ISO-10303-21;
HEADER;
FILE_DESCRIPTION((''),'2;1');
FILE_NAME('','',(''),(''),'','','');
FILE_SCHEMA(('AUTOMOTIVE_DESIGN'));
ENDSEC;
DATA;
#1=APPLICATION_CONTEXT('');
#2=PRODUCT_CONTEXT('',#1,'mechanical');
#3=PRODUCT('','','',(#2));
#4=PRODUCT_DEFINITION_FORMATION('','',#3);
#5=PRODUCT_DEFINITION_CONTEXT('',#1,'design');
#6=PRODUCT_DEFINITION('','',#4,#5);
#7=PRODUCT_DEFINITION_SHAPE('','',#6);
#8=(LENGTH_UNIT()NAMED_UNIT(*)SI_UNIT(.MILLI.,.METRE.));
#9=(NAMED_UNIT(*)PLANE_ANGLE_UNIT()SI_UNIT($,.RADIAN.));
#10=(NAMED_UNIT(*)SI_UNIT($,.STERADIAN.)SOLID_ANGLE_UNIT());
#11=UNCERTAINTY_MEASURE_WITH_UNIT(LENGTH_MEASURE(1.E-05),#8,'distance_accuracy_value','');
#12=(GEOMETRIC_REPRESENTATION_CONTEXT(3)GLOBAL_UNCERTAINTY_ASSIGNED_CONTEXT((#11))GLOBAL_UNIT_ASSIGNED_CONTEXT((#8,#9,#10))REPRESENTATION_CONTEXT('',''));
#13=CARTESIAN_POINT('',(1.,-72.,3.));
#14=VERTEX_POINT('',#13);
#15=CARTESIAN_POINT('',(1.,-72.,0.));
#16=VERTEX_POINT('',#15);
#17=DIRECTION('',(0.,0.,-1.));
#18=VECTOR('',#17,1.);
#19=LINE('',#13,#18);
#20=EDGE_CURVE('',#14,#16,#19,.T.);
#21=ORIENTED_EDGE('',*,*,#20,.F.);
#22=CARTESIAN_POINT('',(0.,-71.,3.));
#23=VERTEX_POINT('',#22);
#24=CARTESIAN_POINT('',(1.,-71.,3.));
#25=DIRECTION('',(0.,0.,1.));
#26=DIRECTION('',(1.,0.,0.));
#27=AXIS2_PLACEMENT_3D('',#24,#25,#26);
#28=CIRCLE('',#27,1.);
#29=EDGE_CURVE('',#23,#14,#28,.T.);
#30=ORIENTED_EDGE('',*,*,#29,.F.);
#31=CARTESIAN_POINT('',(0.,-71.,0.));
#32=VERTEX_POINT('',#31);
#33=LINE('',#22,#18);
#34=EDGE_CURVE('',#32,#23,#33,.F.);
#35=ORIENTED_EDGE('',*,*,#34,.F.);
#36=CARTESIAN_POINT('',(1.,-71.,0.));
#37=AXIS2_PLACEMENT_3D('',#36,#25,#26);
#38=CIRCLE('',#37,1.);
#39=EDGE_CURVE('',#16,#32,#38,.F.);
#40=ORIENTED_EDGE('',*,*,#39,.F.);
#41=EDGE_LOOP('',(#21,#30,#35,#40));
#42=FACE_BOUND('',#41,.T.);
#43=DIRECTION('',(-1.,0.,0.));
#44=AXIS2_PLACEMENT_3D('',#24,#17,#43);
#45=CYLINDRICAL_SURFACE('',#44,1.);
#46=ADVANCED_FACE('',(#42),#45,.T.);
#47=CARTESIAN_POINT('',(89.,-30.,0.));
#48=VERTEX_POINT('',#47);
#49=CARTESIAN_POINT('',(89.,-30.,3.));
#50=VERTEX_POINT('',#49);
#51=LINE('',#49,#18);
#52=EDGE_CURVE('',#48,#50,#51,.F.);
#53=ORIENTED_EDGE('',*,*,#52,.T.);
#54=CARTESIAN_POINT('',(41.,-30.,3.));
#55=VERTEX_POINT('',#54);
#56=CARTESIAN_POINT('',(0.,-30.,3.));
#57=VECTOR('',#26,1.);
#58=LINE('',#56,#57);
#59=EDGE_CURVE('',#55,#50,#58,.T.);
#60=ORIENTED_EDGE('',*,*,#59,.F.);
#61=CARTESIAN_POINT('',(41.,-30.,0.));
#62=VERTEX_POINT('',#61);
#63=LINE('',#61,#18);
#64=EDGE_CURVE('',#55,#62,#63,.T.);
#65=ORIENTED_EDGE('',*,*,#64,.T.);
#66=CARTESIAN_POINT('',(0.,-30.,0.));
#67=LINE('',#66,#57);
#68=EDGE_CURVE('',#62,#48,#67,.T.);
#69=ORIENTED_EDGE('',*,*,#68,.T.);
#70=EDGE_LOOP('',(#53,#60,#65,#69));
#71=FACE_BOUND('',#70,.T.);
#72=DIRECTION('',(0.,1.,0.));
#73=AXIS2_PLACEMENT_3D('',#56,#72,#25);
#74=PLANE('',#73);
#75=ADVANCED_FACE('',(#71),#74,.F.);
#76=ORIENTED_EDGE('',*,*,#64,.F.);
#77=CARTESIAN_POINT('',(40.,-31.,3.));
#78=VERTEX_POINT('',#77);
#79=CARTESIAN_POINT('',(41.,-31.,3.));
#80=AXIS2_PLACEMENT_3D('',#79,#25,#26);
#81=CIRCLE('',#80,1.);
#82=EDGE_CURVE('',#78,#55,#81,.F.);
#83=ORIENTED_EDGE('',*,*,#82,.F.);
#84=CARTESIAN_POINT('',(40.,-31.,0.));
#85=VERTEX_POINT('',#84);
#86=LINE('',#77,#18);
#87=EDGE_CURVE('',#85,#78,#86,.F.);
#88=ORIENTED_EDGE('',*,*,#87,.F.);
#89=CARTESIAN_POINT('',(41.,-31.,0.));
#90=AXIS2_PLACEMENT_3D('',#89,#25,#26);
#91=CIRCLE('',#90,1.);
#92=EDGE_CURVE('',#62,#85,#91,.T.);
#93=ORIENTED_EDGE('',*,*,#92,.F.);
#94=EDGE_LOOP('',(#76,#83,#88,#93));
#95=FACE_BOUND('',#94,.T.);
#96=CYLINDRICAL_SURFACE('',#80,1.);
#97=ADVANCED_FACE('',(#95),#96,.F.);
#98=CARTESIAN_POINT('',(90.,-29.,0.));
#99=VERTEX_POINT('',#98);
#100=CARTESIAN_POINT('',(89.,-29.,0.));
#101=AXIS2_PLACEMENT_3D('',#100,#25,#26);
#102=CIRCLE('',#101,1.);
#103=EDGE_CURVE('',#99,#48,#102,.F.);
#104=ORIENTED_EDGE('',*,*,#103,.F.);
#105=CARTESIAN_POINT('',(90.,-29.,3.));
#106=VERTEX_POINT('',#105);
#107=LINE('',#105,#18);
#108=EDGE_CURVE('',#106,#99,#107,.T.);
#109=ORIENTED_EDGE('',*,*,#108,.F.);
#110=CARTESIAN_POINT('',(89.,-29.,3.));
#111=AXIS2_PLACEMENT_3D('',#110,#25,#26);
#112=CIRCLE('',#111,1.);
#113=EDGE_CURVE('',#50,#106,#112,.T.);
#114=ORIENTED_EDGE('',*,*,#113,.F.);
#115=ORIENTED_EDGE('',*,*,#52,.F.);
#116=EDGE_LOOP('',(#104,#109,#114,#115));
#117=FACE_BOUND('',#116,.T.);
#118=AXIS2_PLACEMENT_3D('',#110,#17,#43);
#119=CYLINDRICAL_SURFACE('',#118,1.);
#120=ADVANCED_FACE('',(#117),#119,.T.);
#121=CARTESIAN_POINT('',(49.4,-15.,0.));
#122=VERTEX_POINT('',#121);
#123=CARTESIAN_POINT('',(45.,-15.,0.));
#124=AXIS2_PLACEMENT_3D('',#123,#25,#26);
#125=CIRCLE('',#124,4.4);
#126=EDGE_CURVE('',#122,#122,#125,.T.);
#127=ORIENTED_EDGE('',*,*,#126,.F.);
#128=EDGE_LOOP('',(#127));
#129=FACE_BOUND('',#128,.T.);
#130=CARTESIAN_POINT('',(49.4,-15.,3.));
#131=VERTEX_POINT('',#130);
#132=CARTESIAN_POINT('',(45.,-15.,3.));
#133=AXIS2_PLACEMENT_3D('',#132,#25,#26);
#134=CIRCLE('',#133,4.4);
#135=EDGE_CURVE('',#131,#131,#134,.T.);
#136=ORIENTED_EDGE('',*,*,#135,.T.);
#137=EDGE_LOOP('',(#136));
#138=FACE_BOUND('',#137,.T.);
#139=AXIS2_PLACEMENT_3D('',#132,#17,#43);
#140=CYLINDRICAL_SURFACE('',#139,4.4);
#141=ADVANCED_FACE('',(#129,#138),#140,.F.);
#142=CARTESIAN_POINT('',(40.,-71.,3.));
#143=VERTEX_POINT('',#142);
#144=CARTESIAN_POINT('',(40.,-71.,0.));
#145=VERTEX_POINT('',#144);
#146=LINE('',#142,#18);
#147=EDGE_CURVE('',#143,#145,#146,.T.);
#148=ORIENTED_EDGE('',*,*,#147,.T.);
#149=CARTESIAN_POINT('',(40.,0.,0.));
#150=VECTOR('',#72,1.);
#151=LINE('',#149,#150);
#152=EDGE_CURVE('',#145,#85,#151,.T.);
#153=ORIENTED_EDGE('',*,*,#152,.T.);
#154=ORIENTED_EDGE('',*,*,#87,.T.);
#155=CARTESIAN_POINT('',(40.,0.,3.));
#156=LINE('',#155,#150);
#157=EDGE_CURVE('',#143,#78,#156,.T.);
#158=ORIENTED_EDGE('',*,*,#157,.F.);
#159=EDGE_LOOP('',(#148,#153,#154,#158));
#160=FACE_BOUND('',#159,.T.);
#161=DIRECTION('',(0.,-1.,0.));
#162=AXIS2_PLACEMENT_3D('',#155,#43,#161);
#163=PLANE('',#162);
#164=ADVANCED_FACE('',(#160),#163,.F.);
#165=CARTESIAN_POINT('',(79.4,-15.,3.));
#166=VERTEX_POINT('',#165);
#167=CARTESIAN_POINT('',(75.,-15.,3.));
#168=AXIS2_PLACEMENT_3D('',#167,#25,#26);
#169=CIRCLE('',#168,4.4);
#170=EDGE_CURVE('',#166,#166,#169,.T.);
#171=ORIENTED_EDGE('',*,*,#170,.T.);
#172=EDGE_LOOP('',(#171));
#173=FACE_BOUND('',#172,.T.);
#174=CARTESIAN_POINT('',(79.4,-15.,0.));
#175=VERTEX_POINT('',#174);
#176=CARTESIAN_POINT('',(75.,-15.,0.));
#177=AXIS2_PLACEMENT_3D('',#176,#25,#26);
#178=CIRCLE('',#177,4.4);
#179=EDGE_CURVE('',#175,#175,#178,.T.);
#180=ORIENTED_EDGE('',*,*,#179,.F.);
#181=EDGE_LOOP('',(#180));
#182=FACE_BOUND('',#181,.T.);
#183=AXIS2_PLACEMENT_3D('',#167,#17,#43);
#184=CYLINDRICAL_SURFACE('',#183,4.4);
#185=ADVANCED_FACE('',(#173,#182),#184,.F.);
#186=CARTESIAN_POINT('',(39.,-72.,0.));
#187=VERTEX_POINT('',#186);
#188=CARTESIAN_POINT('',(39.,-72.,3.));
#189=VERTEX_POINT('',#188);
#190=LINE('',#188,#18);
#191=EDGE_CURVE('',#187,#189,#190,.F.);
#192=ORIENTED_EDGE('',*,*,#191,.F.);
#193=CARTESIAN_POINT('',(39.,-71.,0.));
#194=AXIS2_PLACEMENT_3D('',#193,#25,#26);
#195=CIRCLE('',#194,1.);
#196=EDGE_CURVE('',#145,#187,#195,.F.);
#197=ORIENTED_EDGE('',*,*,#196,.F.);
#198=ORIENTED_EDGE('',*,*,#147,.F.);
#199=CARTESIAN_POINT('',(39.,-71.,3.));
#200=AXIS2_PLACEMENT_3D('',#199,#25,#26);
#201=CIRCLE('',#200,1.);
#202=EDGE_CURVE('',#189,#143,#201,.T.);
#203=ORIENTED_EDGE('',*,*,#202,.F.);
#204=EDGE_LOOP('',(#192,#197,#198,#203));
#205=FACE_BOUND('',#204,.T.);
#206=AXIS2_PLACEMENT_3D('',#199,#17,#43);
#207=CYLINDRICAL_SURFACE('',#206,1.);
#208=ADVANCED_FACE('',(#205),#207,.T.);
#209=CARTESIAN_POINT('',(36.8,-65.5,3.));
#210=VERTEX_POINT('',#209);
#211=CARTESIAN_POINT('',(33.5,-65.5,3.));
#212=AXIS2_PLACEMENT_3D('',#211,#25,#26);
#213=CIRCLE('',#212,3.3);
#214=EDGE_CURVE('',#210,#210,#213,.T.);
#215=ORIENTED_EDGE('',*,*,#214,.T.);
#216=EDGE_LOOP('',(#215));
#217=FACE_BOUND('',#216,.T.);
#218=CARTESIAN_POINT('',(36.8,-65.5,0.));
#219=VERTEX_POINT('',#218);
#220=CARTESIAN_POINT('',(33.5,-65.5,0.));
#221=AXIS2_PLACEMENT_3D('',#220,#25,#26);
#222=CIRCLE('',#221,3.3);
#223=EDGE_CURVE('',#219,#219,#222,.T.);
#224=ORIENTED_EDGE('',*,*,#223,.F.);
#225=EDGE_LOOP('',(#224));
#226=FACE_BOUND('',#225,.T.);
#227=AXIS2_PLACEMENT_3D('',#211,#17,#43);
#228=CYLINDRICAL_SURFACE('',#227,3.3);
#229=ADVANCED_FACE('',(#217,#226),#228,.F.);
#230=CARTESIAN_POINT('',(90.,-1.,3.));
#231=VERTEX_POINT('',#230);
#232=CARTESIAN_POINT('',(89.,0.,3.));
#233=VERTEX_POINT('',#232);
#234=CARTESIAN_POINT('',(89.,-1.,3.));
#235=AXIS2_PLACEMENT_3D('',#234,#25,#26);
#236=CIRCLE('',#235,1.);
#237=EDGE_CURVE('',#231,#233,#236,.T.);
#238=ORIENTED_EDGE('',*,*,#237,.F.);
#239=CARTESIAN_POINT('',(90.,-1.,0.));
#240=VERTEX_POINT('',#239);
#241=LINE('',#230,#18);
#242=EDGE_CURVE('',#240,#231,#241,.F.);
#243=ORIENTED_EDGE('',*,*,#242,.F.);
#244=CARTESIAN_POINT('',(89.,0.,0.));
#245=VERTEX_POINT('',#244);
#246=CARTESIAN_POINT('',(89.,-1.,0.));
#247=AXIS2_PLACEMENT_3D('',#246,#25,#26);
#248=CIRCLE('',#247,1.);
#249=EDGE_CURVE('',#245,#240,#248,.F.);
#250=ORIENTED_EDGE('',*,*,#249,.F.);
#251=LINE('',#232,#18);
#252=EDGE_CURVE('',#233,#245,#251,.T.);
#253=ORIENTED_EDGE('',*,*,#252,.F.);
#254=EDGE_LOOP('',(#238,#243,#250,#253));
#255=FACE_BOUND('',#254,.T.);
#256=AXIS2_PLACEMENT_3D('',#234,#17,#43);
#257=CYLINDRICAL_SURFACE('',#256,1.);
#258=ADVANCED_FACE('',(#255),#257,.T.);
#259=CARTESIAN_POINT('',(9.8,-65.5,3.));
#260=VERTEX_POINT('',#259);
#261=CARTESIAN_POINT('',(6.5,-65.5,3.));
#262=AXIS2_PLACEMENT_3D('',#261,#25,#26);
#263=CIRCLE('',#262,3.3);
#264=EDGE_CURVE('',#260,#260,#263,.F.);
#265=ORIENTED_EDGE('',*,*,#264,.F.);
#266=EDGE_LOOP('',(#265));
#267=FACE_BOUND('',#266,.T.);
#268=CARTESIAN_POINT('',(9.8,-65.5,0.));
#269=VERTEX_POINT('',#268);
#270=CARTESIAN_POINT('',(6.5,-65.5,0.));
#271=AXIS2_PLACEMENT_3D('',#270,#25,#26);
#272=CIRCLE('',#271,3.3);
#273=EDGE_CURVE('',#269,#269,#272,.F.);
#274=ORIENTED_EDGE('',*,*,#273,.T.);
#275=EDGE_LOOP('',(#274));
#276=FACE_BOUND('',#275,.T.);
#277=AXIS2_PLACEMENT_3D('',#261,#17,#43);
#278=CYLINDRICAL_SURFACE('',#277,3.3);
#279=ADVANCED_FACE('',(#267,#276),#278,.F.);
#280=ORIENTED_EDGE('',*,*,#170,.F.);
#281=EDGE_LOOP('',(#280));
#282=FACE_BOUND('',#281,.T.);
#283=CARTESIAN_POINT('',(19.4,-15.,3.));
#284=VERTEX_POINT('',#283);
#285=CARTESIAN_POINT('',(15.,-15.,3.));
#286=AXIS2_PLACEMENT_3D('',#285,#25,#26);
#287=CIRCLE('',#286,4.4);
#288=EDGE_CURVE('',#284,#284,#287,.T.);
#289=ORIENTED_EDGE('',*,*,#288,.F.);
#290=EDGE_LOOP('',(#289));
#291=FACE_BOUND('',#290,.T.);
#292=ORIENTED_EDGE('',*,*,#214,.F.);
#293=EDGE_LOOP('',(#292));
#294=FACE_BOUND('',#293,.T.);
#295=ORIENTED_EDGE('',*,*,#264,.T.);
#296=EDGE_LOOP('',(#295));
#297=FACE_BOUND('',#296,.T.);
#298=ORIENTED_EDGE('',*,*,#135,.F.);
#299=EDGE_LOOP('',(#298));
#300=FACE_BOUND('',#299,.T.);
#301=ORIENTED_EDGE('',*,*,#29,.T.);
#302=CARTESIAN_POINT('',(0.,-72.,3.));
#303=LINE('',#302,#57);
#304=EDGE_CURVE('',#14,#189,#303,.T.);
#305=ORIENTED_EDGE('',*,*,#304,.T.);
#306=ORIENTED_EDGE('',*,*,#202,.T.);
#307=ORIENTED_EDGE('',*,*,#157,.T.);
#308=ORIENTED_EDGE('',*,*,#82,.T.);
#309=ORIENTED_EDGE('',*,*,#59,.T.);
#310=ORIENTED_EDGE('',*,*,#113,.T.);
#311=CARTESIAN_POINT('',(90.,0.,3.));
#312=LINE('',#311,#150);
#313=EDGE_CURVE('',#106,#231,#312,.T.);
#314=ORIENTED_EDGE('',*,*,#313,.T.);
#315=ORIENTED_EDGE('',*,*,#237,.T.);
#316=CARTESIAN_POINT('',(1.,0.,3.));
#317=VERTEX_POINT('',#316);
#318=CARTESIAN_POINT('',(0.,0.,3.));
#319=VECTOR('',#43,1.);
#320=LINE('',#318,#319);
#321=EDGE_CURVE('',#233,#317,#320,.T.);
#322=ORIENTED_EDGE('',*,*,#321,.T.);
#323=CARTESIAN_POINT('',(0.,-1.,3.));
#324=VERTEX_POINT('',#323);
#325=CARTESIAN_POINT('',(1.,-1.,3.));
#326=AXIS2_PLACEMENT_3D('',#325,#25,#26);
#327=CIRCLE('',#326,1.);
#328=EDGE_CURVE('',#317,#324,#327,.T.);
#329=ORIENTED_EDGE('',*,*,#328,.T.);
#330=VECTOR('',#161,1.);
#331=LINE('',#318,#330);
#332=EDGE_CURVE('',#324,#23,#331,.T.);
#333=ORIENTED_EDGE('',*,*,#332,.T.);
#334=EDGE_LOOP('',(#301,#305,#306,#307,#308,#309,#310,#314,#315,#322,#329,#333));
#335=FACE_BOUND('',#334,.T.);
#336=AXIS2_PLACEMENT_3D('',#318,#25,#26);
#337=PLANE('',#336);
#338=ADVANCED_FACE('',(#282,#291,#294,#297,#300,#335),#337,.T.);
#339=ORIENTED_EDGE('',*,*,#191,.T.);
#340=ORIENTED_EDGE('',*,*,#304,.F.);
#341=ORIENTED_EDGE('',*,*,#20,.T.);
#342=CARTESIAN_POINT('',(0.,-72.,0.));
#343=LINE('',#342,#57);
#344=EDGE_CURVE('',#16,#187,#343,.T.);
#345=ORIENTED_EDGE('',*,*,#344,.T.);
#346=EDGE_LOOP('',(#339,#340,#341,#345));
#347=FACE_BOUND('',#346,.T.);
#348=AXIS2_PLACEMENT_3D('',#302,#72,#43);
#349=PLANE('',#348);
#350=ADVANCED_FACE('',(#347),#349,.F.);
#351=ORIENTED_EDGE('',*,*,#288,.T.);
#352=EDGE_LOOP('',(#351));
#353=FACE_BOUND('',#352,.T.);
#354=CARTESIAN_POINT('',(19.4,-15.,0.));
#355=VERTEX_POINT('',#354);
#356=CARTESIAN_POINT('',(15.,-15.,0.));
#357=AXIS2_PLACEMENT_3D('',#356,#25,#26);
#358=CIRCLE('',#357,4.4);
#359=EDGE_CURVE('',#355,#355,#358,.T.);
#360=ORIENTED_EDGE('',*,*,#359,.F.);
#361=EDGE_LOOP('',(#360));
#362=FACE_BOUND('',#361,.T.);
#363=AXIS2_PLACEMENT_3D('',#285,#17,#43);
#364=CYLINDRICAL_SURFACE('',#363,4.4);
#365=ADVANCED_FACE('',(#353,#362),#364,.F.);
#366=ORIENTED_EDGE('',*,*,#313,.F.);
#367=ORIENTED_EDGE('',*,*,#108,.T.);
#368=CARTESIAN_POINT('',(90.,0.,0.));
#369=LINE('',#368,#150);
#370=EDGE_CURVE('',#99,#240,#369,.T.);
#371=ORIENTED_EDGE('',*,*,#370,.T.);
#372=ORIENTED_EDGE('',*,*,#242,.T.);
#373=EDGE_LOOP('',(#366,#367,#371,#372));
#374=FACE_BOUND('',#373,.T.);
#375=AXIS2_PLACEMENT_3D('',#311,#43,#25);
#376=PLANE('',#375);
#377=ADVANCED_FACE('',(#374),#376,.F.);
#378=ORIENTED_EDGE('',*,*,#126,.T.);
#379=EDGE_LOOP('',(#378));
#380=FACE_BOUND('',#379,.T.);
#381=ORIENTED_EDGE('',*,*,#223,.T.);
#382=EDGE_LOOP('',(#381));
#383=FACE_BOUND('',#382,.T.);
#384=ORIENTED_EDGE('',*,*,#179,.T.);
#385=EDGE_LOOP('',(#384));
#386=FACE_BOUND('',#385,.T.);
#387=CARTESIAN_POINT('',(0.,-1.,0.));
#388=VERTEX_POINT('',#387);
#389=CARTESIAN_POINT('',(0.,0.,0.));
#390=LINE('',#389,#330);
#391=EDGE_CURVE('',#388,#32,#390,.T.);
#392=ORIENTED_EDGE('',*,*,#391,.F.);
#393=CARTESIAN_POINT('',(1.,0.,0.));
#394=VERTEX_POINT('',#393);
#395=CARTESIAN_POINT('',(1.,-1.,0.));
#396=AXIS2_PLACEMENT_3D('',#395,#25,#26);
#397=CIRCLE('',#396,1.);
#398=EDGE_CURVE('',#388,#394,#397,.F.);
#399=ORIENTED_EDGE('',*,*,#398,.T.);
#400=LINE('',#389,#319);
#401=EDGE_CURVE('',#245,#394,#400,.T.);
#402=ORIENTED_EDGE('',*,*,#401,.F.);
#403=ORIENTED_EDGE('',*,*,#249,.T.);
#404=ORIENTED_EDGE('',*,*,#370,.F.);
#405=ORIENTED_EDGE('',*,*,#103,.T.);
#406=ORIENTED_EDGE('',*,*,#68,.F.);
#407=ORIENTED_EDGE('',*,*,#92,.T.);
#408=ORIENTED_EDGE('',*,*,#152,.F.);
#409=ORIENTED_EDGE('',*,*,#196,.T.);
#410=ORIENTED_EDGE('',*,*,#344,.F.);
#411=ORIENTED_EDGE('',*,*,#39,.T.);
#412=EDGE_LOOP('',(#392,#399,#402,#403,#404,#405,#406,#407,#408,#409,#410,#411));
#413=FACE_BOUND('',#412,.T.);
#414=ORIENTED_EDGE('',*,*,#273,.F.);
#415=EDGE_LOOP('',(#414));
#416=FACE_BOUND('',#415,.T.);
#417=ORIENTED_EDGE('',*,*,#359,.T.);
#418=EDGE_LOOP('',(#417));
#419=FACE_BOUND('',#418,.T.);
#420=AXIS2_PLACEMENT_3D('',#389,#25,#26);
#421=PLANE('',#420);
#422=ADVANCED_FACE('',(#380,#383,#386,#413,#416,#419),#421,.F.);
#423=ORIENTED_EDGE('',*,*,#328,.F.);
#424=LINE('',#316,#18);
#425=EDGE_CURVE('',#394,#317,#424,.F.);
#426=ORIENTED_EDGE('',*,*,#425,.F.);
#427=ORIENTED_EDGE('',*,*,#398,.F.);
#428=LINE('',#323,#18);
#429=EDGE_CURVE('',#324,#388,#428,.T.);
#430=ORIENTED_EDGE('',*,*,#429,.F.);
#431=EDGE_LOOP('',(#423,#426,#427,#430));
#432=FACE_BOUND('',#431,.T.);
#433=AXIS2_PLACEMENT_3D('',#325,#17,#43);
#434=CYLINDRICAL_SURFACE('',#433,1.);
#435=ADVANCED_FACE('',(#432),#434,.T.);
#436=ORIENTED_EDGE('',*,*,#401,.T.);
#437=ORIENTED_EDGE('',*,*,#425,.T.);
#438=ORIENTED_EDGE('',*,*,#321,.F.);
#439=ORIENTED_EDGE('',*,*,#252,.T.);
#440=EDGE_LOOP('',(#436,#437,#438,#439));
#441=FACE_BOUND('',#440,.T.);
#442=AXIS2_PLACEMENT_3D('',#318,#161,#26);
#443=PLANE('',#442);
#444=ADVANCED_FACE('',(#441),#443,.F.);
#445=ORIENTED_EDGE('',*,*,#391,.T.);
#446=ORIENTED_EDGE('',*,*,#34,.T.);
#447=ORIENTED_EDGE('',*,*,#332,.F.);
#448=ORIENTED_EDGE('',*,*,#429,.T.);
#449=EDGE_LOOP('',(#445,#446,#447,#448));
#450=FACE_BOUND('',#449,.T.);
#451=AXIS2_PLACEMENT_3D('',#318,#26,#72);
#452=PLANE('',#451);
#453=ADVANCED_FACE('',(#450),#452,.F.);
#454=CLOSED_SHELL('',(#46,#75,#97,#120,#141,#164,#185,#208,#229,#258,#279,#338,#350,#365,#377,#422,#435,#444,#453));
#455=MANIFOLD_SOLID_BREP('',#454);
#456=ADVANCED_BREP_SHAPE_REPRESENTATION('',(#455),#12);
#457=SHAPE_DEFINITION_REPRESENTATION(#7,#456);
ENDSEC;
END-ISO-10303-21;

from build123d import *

# Parameters (mm, degrees)
SKETCH_1_R      = 3.3
SKETCH_1_R_2    = 4.4
EXTRUDE_1_DEPTH = 3
FILLET_1_R      = 1


with BuildPart() as part:
    # 草图1 → 凸台-拉伸1 (new body)
    with BuildSketch(Plane.XY):
        Polygon((0, 0), (0, -72), (40, -72), (40, -30), (90, -30), (90, 0), align=None)
        with Locations((33.5, -65.5)):
            Circle(SKETCH_1_R, mode=Mode.SUBTRACT)
        with Locations((6.5, -65.5)):
            Circle(SKETCH_1_R, mode=Mode.SUBTRACT)
        with Locations((45, -15)):
            Circle(SKETCH_1_R_2, mode=Mode.SUBTRACT)
        with Locations((75, -15)):
            Circle(SKETCH_1_R_2, mode=Mode.SUBTRACT)
        with Locations((15, -15)):
            Circle(SKETCH_1_R_2, mode=Mode.SUBTRACT)
    extrude(amount=EXTRUDE_1_DEPTH)

    # 圆角1
    fillet_1_edges = [part.edges().sort_by_distance(p)[0] for p in [
        (90, 0, 1.5),
        (90, -30, 1.5),
        (40, -30, 1.5),
        (40, -72, 1.5),
        (0, -72, 1.5),
        (0, 0, 1.5),
    ]]
    fillet(fillet_1_edges, radius=FILLET_1_R)


solid = part.part
